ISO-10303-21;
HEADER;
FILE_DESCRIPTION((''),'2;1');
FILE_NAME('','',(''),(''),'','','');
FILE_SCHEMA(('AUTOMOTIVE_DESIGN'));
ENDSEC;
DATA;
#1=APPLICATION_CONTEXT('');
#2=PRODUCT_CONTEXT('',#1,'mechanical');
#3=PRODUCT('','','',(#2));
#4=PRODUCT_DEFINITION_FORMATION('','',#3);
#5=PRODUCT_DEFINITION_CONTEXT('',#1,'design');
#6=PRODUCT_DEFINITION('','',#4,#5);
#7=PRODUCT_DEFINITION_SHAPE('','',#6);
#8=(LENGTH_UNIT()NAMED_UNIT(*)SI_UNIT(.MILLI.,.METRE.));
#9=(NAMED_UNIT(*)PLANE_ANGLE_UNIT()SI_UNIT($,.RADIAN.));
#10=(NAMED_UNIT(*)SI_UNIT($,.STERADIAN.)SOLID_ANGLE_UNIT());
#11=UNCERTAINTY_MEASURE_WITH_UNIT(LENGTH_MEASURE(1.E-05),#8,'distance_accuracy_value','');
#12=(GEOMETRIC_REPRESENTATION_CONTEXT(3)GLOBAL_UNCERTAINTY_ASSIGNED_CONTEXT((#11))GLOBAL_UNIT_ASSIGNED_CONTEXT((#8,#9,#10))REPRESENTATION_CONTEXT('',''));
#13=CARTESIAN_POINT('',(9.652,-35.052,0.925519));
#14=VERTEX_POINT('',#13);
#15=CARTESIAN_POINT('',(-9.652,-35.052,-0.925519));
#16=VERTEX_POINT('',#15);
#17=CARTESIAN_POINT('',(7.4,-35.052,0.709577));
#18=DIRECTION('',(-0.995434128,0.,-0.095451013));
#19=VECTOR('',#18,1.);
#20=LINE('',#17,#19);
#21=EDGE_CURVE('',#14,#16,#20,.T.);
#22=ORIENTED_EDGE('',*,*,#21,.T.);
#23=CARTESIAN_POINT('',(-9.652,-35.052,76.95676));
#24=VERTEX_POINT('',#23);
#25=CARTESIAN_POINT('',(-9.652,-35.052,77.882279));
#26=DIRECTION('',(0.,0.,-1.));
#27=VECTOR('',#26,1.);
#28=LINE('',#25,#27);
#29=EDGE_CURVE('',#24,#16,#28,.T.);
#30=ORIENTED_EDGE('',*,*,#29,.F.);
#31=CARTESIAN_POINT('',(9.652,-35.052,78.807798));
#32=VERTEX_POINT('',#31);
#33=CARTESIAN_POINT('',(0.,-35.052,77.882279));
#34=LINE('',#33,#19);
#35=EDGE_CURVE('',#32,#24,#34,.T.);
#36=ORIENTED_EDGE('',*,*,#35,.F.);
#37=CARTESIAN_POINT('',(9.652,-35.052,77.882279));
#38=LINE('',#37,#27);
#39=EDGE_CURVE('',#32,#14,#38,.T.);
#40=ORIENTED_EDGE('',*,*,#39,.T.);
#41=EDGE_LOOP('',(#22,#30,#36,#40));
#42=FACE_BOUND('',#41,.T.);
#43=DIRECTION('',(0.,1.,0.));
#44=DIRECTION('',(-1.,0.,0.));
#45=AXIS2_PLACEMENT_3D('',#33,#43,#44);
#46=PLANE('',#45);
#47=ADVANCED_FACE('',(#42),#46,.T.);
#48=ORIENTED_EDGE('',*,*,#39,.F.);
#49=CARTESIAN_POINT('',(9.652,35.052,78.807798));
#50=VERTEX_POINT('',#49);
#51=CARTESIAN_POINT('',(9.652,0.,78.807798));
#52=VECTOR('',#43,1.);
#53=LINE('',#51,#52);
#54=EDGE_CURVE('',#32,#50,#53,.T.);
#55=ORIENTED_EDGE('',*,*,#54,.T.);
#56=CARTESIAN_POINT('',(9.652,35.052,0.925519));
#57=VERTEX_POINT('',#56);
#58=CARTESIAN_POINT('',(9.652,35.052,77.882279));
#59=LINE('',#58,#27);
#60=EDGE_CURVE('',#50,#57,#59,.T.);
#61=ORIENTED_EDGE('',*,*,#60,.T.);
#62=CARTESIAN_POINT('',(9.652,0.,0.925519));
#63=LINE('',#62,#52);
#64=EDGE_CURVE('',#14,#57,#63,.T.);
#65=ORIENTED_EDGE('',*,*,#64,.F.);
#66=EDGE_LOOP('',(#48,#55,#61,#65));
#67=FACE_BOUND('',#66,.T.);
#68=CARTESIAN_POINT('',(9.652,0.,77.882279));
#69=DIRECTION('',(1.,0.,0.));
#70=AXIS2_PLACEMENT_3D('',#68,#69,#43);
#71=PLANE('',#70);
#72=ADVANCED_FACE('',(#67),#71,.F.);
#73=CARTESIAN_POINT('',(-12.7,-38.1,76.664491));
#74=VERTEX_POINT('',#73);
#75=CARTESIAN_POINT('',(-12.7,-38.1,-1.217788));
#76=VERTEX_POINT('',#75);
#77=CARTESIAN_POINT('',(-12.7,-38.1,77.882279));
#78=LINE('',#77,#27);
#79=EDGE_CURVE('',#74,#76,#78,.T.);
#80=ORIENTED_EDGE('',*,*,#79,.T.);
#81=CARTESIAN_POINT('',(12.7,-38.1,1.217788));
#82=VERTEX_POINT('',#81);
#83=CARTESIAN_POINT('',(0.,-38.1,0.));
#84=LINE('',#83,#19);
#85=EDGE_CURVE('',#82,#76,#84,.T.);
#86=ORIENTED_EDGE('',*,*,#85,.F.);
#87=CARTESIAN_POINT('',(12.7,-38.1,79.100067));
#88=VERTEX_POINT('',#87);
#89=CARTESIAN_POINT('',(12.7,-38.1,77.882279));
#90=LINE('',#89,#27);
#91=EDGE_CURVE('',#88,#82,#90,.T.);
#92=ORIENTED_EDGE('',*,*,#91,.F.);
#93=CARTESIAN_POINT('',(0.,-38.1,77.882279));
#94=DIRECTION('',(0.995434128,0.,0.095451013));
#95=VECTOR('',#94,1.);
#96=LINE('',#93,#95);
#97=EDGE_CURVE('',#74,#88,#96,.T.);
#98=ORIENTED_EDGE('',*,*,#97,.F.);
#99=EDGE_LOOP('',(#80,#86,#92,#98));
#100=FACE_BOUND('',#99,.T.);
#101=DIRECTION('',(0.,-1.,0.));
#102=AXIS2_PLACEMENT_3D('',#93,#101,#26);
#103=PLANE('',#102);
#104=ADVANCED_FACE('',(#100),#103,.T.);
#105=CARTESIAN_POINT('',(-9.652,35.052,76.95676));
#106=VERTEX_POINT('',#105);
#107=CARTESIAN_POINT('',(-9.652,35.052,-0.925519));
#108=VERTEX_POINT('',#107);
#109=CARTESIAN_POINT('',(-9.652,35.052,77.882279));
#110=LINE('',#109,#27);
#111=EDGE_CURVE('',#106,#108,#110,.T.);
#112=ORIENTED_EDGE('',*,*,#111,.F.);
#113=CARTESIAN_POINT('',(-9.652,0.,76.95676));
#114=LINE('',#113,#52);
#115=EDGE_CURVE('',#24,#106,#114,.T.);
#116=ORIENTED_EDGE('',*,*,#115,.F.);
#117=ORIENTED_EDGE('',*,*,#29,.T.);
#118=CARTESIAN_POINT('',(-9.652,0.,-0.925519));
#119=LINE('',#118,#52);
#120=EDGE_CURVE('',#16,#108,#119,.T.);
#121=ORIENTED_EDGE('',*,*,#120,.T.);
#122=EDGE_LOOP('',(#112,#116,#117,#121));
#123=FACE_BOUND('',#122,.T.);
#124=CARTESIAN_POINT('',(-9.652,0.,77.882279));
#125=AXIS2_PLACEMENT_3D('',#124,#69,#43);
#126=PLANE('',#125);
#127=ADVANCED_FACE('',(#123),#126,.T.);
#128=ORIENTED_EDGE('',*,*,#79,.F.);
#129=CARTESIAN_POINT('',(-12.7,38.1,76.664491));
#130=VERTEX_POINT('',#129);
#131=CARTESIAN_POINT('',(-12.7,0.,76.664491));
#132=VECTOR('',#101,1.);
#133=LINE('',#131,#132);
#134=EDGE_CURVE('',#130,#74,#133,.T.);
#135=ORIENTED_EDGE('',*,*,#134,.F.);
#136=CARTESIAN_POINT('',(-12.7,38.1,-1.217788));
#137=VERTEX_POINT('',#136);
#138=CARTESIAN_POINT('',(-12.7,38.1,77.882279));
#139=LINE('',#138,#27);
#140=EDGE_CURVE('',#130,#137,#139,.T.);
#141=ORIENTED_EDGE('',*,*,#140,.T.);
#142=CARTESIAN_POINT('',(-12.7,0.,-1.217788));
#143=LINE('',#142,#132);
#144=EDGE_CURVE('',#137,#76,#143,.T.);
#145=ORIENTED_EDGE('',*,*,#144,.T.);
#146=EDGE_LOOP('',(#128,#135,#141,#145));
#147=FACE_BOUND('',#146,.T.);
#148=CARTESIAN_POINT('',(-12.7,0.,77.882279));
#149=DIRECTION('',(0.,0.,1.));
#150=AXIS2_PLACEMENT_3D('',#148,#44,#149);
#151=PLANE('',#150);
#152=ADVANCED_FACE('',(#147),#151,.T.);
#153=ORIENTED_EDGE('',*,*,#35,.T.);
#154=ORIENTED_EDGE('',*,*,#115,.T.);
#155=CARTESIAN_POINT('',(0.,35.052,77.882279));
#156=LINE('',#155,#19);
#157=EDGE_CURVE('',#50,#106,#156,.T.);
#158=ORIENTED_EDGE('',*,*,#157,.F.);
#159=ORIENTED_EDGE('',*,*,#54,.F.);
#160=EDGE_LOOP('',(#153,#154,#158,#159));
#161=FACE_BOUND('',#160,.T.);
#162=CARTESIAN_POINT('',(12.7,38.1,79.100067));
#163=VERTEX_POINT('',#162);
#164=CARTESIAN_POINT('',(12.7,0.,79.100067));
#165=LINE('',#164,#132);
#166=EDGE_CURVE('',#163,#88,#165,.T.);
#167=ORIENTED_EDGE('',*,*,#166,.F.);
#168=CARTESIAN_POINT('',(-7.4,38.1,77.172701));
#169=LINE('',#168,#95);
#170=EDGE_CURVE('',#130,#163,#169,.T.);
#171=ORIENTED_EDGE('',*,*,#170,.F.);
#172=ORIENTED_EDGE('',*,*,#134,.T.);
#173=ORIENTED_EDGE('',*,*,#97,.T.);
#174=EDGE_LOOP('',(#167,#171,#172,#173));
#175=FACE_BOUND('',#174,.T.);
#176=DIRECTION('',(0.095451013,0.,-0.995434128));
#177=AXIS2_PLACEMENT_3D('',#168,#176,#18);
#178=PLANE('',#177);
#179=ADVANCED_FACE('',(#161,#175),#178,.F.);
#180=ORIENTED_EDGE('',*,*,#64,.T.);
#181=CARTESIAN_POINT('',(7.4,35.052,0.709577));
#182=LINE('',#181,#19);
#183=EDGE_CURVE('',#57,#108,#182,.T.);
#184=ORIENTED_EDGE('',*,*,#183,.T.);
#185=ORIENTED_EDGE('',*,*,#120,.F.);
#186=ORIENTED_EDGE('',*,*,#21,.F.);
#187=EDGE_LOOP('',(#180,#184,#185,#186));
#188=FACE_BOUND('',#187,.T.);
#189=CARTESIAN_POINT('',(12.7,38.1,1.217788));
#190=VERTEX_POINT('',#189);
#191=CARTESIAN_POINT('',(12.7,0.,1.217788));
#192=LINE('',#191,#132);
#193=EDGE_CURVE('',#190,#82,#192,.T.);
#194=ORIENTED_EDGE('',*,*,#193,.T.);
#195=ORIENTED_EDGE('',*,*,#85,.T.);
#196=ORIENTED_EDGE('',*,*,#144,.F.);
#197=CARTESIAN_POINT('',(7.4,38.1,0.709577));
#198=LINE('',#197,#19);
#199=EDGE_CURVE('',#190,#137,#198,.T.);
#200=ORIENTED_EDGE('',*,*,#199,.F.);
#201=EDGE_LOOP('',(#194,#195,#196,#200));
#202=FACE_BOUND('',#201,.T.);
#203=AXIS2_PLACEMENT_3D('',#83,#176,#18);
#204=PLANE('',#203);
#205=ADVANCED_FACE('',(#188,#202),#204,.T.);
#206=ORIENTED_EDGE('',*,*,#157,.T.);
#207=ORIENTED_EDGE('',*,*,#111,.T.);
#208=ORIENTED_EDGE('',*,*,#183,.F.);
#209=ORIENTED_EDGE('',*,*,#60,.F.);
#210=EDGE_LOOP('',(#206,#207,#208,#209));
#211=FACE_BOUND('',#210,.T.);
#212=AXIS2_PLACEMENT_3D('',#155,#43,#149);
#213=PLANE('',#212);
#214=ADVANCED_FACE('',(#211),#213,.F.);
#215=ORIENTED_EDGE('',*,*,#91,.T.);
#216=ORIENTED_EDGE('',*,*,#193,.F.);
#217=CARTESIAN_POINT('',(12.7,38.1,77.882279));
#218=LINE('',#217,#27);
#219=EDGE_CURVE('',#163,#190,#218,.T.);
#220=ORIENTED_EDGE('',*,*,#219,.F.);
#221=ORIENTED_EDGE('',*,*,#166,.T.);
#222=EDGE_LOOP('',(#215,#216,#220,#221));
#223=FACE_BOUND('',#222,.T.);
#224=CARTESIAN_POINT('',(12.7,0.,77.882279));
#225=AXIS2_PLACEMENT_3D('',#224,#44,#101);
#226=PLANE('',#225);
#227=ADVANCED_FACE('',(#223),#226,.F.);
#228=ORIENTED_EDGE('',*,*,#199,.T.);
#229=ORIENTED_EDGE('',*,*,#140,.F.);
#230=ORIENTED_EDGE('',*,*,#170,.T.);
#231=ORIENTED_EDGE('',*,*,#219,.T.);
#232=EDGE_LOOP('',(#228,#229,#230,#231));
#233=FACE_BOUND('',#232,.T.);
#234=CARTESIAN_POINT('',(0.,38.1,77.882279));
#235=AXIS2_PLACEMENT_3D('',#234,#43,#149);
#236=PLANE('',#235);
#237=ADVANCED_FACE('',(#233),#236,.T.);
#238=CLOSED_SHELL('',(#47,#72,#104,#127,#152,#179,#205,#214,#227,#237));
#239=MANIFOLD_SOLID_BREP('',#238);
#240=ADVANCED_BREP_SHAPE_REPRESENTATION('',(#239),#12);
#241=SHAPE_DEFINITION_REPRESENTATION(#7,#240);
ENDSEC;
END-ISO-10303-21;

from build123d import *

# Parameters (mm, degrees)
SKETCH2_W               = 9.652
SKETCH2_H               = 3.048
SKETCH2_W_2             = 3.048
SKETCH2_H_2             = 35.052
BOSS_EXTRUDE1_DEPTH     = 77.882279
SKETCH3_W               = 25.4
SKETCH3_H               = 76.2
SKETCH3_W_2             = 19.304
SKETCH3_H_2             = 70.104
BOSS_EXTRUDE2_DEPTH     = 50
CUT_EXTRUDE1_DEPTH      = 1
CUT_EXTRUDE1_DEPTH_BACK = 77.2
SKETCH5_W               = 25.4
SKETCH5_H               = 76.2
SKETCH5_W_2             = 19.304
SKETCH5_H_2             = 70.104
BOSS_EXTRUDE3_DEPTH     = 50
CUT_EXTRUDE2_DEPTH      = 1
CUT_EXTRUDE2_DEPTH_BACK = 77.2


with BuildPart() as part:
    # Sketch2 → Boss-Extrude1 (new body)
    with BuildSketch(Plane.XY):
        Polygon((-12.7, 0), (-9.652, 0), (-9.652, 35.052), (-9.652, 38.1), (-12.7, 38.1), align=None)
        with Locations((-4.826, 36.576)):
            Rectangle(SKETCH2_W, SKETCH2_H)
        Polygon((0, 38.1), (0, 35.052), (9.652, 35.052), (9.652, 0), (12.7, 0), (12.7, 38.1), align=None)
        with Locations((11.176, -17.526)):
            Rectangle(SKETCH2_W_2, SKETCH2_H_2)
        Polygon((-9.652, -35.052), (-9.652, 0), (-12.7, 0), (-12.7, -38.1), (0, -38.1), (0, -35.052), align=None)
        Polygon((9.652, -35.052), (0, -35.052), (0, -38.1), (12.7, -38.1), (12.7, -35.052), align=None)
    extrude(amount=BOSS_EXTRUDE1_DEPTH)

    # Sketch3 → Boss-Extrude2 (add)
    with BuildSketch(Plane(origin=(0, 0, 0), x_dir=(-1, 0, 0), z_dir=(0, 0, -1))):
        Rectangle(SKETCH3_W, SKETCH3_H)
        Rectangle(SKETCH3_W_2, SKETCH3_H_2, mode=Mode.SUBTRACT)
    extrude(amount=BOSS_EXTRUDE2_DEPTH)

    # Sketch4 → Cut-Extrude1 (cut, two sides)
    with BuildSketch(Plane(origin=(0, 38.1, 0), x_dir=(1, 0, 0), z_dir=(0, 1, 0))) as cut_extrude1_sk:
        Polygon((-119.729528752, 11.480724374), (-12.7, 1.217788135), (-12.7, 42.627933021), align=None)
        Polygon((-12.7, 1.217788135), (0, 0), (9.501519639, 49.088910403), (-12.7, 42.627933021), align=None)
        Polygon((12.7, -1.217788135), (119.729528752, -11.480724374), (127.176846342, 66.185439926), (-112.282211162, 89.146888673), (-119.729528752, 11.480724374), (-12.7, 42.627933021), (-12.7, 50), (12.7, 50), align=None)
        Polygon((0, 0), (12.7, -1.217788135), (12.7, 50), (-12.7, 50), (-12.7, 42.627933021), (9.501519639, 49.088910403), align=None)
    extrude(amount=CUT_EXTRUDE1_DEPTH, mode=Mode.SUBTRACT)
    extrude(cut_extrude1_sk.sketch, amount=-CUT_EXTRUDE1_DEPTH_BACK, mode=Mode.SUBTRACT)

    # Sketch5 → Boss-Extrude3 (add)
    with BuildSketch(Plane.XY.offset(77.882278635)):
        Rectangle(SKETCH5_W, SKETCH5_H)
        Rectangle(SKETCH5_W_2, SKETCH5_H_2, mode=Mode.SUBTRACT)
    extrude(amount=BOSS_EXTRUDE3_DEPTH)

    # Sketch6 → Cut-Extrude2 (cut, two sides)
    with BuildSketch(Plane.XZ.offset(38.1)) as cut_extrude2_sk:
        Polygon((-113.161207677, 166.450733215), (-103.71485858, 67.93718224), (-12.7, 124.967023668), (-12.7, 127.882278635), (12.7, 127.882278635), (12.7, 79.100066771), (103.71485858, 87.827375031), (94.268509483, 186.340926006), align=None)
        Polygon((-12.7, 124.967023668), (-103.71485858, 67.93718224), (-12.7, 76.6644905), align=None)
        Polygon((-12.7, 127.882278635), (-12.7, 124.967023668), (-9.501519639, 126.971189038), (0, 77.882278635), (12.7, 79.100066771), (12.7, 127.882278635), align=None)
        Polygon((-12.7, 124.967023668), (-12.7, 76.6644905), (0, 77.882278635), (-9.501519639, 126.971189038), align=None)
    extrude(amount=CUT_EXTRUDE2_DEPTH, mode=Mode.SUBTRACT)
    extrude(cut_extrude2_sk.sketch, amount=-CUT_EXTRUDE2_DEPTH_BACK, mode=Mode.SUBTRACT)


solid = part.part
